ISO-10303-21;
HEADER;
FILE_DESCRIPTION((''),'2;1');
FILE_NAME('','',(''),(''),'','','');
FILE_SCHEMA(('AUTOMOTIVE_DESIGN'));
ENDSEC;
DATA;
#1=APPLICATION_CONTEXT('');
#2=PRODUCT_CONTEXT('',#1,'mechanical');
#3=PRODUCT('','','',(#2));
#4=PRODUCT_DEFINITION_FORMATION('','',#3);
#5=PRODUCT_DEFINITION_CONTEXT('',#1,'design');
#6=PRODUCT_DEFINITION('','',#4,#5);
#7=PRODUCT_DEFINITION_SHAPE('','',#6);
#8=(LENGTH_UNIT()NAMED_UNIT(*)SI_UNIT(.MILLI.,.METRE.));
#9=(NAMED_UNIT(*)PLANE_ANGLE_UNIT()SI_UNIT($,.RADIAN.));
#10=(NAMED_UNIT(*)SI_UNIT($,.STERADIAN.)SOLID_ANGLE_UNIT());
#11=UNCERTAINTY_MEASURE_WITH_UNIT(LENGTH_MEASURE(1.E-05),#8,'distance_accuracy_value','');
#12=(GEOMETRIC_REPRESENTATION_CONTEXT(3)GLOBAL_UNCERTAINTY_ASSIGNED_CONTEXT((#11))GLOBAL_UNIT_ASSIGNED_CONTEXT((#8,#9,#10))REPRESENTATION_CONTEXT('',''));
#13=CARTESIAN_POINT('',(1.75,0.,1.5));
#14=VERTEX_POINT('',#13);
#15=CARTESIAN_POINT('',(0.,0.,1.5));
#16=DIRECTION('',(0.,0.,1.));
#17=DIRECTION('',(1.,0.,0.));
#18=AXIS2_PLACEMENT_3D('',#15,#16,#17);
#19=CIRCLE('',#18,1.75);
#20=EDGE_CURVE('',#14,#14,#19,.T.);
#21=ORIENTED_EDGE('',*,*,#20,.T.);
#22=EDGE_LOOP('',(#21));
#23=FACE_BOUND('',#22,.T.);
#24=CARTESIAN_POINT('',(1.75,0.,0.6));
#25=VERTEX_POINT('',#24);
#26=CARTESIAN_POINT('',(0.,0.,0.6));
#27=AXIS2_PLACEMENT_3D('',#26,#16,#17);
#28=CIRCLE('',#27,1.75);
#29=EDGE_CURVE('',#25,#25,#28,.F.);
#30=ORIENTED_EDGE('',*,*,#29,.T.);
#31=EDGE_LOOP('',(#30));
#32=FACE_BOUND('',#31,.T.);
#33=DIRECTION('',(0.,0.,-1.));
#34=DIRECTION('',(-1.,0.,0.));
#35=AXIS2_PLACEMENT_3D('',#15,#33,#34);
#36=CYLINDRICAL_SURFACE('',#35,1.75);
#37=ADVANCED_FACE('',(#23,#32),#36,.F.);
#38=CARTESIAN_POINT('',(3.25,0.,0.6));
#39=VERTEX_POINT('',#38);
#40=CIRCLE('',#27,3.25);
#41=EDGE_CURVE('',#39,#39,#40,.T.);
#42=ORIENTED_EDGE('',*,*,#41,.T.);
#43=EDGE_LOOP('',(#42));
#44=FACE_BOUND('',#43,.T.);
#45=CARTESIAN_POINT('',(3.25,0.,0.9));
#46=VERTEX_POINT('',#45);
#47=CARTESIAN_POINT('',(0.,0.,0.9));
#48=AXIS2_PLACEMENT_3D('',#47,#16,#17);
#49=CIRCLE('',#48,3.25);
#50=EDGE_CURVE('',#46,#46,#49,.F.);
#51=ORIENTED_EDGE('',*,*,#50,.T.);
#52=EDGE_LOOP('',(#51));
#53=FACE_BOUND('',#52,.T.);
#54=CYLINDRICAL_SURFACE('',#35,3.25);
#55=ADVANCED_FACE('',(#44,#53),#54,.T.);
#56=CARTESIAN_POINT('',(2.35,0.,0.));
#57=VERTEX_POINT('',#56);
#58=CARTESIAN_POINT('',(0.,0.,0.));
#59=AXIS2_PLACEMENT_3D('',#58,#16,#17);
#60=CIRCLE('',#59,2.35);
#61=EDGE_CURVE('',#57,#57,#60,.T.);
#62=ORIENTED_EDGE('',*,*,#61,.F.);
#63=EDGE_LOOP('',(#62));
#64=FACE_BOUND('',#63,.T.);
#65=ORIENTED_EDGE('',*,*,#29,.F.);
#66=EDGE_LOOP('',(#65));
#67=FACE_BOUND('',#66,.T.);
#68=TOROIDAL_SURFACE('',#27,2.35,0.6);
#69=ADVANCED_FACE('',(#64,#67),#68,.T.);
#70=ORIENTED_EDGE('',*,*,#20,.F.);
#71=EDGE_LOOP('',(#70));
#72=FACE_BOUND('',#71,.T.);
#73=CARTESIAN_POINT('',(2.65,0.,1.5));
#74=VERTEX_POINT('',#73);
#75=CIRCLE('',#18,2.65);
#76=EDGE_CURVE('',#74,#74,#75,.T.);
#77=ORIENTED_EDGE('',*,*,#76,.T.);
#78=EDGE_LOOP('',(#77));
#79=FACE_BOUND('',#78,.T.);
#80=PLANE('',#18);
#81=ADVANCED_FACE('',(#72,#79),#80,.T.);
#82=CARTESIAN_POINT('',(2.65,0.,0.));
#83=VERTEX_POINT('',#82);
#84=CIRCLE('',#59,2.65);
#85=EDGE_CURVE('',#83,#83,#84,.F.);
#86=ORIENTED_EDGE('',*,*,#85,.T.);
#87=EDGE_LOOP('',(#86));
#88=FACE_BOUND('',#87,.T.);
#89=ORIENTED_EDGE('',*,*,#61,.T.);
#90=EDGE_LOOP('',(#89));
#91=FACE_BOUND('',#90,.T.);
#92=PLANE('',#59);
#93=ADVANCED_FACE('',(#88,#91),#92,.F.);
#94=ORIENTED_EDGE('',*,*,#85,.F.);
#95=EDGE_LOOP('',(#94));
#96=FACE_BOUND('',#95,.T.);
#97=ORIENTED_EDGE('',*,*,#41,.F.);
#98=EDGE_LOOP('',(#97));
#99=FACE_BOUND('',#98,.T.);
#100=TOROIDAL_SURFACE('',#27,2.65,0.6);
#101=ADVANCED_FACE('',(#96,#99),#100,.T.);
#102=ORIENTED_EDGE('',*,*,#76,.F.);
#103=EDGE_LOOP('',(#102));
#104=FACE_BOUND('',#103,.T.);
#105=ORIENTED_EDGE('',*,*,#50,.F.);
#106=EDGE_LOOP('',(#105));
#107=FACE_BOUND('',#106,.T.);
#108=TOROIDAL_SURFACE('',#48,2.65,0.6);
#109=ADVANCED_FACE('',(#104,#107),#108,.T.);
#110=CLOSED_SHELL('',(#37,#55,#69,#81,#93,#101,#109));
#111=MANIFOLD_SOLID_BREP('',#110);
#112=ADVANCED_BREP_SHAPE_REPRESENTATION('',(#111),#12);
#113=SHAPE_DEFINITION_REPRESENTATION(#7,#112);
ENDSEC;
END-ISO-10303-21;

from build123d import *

# Parameters (mm, degrees)
SKETCH1_R           = 3.25
SKETCH1_R_2         = 1.75
BOSS_EXTRUDE1_DEPTH = 1.5
FILLET1_R           = 0.6


with BuildPart() as part:
    # Sketch1 → Boss-Extrude1 (new body)
    with BuildSketch(Plane.XY):
        Circle(SKETCH1_R)
        Circle(SKETCH1_R_2, mode=Mode.SUBTRACT)
    extrude(amount=BOSS_EXTRUDE1_DEPTH)

    # Fillet1
    fillet1_edges = [part.edges().sort_by_distance(p)[0] for p in [
        (-3.25, 0, 0),
        (-3.25, 0, 1.5),
        (-1.75, 0, 0),
    ]]
    fillet(fillet1_edges, radius=FILLET1_R)


solid = part.part
